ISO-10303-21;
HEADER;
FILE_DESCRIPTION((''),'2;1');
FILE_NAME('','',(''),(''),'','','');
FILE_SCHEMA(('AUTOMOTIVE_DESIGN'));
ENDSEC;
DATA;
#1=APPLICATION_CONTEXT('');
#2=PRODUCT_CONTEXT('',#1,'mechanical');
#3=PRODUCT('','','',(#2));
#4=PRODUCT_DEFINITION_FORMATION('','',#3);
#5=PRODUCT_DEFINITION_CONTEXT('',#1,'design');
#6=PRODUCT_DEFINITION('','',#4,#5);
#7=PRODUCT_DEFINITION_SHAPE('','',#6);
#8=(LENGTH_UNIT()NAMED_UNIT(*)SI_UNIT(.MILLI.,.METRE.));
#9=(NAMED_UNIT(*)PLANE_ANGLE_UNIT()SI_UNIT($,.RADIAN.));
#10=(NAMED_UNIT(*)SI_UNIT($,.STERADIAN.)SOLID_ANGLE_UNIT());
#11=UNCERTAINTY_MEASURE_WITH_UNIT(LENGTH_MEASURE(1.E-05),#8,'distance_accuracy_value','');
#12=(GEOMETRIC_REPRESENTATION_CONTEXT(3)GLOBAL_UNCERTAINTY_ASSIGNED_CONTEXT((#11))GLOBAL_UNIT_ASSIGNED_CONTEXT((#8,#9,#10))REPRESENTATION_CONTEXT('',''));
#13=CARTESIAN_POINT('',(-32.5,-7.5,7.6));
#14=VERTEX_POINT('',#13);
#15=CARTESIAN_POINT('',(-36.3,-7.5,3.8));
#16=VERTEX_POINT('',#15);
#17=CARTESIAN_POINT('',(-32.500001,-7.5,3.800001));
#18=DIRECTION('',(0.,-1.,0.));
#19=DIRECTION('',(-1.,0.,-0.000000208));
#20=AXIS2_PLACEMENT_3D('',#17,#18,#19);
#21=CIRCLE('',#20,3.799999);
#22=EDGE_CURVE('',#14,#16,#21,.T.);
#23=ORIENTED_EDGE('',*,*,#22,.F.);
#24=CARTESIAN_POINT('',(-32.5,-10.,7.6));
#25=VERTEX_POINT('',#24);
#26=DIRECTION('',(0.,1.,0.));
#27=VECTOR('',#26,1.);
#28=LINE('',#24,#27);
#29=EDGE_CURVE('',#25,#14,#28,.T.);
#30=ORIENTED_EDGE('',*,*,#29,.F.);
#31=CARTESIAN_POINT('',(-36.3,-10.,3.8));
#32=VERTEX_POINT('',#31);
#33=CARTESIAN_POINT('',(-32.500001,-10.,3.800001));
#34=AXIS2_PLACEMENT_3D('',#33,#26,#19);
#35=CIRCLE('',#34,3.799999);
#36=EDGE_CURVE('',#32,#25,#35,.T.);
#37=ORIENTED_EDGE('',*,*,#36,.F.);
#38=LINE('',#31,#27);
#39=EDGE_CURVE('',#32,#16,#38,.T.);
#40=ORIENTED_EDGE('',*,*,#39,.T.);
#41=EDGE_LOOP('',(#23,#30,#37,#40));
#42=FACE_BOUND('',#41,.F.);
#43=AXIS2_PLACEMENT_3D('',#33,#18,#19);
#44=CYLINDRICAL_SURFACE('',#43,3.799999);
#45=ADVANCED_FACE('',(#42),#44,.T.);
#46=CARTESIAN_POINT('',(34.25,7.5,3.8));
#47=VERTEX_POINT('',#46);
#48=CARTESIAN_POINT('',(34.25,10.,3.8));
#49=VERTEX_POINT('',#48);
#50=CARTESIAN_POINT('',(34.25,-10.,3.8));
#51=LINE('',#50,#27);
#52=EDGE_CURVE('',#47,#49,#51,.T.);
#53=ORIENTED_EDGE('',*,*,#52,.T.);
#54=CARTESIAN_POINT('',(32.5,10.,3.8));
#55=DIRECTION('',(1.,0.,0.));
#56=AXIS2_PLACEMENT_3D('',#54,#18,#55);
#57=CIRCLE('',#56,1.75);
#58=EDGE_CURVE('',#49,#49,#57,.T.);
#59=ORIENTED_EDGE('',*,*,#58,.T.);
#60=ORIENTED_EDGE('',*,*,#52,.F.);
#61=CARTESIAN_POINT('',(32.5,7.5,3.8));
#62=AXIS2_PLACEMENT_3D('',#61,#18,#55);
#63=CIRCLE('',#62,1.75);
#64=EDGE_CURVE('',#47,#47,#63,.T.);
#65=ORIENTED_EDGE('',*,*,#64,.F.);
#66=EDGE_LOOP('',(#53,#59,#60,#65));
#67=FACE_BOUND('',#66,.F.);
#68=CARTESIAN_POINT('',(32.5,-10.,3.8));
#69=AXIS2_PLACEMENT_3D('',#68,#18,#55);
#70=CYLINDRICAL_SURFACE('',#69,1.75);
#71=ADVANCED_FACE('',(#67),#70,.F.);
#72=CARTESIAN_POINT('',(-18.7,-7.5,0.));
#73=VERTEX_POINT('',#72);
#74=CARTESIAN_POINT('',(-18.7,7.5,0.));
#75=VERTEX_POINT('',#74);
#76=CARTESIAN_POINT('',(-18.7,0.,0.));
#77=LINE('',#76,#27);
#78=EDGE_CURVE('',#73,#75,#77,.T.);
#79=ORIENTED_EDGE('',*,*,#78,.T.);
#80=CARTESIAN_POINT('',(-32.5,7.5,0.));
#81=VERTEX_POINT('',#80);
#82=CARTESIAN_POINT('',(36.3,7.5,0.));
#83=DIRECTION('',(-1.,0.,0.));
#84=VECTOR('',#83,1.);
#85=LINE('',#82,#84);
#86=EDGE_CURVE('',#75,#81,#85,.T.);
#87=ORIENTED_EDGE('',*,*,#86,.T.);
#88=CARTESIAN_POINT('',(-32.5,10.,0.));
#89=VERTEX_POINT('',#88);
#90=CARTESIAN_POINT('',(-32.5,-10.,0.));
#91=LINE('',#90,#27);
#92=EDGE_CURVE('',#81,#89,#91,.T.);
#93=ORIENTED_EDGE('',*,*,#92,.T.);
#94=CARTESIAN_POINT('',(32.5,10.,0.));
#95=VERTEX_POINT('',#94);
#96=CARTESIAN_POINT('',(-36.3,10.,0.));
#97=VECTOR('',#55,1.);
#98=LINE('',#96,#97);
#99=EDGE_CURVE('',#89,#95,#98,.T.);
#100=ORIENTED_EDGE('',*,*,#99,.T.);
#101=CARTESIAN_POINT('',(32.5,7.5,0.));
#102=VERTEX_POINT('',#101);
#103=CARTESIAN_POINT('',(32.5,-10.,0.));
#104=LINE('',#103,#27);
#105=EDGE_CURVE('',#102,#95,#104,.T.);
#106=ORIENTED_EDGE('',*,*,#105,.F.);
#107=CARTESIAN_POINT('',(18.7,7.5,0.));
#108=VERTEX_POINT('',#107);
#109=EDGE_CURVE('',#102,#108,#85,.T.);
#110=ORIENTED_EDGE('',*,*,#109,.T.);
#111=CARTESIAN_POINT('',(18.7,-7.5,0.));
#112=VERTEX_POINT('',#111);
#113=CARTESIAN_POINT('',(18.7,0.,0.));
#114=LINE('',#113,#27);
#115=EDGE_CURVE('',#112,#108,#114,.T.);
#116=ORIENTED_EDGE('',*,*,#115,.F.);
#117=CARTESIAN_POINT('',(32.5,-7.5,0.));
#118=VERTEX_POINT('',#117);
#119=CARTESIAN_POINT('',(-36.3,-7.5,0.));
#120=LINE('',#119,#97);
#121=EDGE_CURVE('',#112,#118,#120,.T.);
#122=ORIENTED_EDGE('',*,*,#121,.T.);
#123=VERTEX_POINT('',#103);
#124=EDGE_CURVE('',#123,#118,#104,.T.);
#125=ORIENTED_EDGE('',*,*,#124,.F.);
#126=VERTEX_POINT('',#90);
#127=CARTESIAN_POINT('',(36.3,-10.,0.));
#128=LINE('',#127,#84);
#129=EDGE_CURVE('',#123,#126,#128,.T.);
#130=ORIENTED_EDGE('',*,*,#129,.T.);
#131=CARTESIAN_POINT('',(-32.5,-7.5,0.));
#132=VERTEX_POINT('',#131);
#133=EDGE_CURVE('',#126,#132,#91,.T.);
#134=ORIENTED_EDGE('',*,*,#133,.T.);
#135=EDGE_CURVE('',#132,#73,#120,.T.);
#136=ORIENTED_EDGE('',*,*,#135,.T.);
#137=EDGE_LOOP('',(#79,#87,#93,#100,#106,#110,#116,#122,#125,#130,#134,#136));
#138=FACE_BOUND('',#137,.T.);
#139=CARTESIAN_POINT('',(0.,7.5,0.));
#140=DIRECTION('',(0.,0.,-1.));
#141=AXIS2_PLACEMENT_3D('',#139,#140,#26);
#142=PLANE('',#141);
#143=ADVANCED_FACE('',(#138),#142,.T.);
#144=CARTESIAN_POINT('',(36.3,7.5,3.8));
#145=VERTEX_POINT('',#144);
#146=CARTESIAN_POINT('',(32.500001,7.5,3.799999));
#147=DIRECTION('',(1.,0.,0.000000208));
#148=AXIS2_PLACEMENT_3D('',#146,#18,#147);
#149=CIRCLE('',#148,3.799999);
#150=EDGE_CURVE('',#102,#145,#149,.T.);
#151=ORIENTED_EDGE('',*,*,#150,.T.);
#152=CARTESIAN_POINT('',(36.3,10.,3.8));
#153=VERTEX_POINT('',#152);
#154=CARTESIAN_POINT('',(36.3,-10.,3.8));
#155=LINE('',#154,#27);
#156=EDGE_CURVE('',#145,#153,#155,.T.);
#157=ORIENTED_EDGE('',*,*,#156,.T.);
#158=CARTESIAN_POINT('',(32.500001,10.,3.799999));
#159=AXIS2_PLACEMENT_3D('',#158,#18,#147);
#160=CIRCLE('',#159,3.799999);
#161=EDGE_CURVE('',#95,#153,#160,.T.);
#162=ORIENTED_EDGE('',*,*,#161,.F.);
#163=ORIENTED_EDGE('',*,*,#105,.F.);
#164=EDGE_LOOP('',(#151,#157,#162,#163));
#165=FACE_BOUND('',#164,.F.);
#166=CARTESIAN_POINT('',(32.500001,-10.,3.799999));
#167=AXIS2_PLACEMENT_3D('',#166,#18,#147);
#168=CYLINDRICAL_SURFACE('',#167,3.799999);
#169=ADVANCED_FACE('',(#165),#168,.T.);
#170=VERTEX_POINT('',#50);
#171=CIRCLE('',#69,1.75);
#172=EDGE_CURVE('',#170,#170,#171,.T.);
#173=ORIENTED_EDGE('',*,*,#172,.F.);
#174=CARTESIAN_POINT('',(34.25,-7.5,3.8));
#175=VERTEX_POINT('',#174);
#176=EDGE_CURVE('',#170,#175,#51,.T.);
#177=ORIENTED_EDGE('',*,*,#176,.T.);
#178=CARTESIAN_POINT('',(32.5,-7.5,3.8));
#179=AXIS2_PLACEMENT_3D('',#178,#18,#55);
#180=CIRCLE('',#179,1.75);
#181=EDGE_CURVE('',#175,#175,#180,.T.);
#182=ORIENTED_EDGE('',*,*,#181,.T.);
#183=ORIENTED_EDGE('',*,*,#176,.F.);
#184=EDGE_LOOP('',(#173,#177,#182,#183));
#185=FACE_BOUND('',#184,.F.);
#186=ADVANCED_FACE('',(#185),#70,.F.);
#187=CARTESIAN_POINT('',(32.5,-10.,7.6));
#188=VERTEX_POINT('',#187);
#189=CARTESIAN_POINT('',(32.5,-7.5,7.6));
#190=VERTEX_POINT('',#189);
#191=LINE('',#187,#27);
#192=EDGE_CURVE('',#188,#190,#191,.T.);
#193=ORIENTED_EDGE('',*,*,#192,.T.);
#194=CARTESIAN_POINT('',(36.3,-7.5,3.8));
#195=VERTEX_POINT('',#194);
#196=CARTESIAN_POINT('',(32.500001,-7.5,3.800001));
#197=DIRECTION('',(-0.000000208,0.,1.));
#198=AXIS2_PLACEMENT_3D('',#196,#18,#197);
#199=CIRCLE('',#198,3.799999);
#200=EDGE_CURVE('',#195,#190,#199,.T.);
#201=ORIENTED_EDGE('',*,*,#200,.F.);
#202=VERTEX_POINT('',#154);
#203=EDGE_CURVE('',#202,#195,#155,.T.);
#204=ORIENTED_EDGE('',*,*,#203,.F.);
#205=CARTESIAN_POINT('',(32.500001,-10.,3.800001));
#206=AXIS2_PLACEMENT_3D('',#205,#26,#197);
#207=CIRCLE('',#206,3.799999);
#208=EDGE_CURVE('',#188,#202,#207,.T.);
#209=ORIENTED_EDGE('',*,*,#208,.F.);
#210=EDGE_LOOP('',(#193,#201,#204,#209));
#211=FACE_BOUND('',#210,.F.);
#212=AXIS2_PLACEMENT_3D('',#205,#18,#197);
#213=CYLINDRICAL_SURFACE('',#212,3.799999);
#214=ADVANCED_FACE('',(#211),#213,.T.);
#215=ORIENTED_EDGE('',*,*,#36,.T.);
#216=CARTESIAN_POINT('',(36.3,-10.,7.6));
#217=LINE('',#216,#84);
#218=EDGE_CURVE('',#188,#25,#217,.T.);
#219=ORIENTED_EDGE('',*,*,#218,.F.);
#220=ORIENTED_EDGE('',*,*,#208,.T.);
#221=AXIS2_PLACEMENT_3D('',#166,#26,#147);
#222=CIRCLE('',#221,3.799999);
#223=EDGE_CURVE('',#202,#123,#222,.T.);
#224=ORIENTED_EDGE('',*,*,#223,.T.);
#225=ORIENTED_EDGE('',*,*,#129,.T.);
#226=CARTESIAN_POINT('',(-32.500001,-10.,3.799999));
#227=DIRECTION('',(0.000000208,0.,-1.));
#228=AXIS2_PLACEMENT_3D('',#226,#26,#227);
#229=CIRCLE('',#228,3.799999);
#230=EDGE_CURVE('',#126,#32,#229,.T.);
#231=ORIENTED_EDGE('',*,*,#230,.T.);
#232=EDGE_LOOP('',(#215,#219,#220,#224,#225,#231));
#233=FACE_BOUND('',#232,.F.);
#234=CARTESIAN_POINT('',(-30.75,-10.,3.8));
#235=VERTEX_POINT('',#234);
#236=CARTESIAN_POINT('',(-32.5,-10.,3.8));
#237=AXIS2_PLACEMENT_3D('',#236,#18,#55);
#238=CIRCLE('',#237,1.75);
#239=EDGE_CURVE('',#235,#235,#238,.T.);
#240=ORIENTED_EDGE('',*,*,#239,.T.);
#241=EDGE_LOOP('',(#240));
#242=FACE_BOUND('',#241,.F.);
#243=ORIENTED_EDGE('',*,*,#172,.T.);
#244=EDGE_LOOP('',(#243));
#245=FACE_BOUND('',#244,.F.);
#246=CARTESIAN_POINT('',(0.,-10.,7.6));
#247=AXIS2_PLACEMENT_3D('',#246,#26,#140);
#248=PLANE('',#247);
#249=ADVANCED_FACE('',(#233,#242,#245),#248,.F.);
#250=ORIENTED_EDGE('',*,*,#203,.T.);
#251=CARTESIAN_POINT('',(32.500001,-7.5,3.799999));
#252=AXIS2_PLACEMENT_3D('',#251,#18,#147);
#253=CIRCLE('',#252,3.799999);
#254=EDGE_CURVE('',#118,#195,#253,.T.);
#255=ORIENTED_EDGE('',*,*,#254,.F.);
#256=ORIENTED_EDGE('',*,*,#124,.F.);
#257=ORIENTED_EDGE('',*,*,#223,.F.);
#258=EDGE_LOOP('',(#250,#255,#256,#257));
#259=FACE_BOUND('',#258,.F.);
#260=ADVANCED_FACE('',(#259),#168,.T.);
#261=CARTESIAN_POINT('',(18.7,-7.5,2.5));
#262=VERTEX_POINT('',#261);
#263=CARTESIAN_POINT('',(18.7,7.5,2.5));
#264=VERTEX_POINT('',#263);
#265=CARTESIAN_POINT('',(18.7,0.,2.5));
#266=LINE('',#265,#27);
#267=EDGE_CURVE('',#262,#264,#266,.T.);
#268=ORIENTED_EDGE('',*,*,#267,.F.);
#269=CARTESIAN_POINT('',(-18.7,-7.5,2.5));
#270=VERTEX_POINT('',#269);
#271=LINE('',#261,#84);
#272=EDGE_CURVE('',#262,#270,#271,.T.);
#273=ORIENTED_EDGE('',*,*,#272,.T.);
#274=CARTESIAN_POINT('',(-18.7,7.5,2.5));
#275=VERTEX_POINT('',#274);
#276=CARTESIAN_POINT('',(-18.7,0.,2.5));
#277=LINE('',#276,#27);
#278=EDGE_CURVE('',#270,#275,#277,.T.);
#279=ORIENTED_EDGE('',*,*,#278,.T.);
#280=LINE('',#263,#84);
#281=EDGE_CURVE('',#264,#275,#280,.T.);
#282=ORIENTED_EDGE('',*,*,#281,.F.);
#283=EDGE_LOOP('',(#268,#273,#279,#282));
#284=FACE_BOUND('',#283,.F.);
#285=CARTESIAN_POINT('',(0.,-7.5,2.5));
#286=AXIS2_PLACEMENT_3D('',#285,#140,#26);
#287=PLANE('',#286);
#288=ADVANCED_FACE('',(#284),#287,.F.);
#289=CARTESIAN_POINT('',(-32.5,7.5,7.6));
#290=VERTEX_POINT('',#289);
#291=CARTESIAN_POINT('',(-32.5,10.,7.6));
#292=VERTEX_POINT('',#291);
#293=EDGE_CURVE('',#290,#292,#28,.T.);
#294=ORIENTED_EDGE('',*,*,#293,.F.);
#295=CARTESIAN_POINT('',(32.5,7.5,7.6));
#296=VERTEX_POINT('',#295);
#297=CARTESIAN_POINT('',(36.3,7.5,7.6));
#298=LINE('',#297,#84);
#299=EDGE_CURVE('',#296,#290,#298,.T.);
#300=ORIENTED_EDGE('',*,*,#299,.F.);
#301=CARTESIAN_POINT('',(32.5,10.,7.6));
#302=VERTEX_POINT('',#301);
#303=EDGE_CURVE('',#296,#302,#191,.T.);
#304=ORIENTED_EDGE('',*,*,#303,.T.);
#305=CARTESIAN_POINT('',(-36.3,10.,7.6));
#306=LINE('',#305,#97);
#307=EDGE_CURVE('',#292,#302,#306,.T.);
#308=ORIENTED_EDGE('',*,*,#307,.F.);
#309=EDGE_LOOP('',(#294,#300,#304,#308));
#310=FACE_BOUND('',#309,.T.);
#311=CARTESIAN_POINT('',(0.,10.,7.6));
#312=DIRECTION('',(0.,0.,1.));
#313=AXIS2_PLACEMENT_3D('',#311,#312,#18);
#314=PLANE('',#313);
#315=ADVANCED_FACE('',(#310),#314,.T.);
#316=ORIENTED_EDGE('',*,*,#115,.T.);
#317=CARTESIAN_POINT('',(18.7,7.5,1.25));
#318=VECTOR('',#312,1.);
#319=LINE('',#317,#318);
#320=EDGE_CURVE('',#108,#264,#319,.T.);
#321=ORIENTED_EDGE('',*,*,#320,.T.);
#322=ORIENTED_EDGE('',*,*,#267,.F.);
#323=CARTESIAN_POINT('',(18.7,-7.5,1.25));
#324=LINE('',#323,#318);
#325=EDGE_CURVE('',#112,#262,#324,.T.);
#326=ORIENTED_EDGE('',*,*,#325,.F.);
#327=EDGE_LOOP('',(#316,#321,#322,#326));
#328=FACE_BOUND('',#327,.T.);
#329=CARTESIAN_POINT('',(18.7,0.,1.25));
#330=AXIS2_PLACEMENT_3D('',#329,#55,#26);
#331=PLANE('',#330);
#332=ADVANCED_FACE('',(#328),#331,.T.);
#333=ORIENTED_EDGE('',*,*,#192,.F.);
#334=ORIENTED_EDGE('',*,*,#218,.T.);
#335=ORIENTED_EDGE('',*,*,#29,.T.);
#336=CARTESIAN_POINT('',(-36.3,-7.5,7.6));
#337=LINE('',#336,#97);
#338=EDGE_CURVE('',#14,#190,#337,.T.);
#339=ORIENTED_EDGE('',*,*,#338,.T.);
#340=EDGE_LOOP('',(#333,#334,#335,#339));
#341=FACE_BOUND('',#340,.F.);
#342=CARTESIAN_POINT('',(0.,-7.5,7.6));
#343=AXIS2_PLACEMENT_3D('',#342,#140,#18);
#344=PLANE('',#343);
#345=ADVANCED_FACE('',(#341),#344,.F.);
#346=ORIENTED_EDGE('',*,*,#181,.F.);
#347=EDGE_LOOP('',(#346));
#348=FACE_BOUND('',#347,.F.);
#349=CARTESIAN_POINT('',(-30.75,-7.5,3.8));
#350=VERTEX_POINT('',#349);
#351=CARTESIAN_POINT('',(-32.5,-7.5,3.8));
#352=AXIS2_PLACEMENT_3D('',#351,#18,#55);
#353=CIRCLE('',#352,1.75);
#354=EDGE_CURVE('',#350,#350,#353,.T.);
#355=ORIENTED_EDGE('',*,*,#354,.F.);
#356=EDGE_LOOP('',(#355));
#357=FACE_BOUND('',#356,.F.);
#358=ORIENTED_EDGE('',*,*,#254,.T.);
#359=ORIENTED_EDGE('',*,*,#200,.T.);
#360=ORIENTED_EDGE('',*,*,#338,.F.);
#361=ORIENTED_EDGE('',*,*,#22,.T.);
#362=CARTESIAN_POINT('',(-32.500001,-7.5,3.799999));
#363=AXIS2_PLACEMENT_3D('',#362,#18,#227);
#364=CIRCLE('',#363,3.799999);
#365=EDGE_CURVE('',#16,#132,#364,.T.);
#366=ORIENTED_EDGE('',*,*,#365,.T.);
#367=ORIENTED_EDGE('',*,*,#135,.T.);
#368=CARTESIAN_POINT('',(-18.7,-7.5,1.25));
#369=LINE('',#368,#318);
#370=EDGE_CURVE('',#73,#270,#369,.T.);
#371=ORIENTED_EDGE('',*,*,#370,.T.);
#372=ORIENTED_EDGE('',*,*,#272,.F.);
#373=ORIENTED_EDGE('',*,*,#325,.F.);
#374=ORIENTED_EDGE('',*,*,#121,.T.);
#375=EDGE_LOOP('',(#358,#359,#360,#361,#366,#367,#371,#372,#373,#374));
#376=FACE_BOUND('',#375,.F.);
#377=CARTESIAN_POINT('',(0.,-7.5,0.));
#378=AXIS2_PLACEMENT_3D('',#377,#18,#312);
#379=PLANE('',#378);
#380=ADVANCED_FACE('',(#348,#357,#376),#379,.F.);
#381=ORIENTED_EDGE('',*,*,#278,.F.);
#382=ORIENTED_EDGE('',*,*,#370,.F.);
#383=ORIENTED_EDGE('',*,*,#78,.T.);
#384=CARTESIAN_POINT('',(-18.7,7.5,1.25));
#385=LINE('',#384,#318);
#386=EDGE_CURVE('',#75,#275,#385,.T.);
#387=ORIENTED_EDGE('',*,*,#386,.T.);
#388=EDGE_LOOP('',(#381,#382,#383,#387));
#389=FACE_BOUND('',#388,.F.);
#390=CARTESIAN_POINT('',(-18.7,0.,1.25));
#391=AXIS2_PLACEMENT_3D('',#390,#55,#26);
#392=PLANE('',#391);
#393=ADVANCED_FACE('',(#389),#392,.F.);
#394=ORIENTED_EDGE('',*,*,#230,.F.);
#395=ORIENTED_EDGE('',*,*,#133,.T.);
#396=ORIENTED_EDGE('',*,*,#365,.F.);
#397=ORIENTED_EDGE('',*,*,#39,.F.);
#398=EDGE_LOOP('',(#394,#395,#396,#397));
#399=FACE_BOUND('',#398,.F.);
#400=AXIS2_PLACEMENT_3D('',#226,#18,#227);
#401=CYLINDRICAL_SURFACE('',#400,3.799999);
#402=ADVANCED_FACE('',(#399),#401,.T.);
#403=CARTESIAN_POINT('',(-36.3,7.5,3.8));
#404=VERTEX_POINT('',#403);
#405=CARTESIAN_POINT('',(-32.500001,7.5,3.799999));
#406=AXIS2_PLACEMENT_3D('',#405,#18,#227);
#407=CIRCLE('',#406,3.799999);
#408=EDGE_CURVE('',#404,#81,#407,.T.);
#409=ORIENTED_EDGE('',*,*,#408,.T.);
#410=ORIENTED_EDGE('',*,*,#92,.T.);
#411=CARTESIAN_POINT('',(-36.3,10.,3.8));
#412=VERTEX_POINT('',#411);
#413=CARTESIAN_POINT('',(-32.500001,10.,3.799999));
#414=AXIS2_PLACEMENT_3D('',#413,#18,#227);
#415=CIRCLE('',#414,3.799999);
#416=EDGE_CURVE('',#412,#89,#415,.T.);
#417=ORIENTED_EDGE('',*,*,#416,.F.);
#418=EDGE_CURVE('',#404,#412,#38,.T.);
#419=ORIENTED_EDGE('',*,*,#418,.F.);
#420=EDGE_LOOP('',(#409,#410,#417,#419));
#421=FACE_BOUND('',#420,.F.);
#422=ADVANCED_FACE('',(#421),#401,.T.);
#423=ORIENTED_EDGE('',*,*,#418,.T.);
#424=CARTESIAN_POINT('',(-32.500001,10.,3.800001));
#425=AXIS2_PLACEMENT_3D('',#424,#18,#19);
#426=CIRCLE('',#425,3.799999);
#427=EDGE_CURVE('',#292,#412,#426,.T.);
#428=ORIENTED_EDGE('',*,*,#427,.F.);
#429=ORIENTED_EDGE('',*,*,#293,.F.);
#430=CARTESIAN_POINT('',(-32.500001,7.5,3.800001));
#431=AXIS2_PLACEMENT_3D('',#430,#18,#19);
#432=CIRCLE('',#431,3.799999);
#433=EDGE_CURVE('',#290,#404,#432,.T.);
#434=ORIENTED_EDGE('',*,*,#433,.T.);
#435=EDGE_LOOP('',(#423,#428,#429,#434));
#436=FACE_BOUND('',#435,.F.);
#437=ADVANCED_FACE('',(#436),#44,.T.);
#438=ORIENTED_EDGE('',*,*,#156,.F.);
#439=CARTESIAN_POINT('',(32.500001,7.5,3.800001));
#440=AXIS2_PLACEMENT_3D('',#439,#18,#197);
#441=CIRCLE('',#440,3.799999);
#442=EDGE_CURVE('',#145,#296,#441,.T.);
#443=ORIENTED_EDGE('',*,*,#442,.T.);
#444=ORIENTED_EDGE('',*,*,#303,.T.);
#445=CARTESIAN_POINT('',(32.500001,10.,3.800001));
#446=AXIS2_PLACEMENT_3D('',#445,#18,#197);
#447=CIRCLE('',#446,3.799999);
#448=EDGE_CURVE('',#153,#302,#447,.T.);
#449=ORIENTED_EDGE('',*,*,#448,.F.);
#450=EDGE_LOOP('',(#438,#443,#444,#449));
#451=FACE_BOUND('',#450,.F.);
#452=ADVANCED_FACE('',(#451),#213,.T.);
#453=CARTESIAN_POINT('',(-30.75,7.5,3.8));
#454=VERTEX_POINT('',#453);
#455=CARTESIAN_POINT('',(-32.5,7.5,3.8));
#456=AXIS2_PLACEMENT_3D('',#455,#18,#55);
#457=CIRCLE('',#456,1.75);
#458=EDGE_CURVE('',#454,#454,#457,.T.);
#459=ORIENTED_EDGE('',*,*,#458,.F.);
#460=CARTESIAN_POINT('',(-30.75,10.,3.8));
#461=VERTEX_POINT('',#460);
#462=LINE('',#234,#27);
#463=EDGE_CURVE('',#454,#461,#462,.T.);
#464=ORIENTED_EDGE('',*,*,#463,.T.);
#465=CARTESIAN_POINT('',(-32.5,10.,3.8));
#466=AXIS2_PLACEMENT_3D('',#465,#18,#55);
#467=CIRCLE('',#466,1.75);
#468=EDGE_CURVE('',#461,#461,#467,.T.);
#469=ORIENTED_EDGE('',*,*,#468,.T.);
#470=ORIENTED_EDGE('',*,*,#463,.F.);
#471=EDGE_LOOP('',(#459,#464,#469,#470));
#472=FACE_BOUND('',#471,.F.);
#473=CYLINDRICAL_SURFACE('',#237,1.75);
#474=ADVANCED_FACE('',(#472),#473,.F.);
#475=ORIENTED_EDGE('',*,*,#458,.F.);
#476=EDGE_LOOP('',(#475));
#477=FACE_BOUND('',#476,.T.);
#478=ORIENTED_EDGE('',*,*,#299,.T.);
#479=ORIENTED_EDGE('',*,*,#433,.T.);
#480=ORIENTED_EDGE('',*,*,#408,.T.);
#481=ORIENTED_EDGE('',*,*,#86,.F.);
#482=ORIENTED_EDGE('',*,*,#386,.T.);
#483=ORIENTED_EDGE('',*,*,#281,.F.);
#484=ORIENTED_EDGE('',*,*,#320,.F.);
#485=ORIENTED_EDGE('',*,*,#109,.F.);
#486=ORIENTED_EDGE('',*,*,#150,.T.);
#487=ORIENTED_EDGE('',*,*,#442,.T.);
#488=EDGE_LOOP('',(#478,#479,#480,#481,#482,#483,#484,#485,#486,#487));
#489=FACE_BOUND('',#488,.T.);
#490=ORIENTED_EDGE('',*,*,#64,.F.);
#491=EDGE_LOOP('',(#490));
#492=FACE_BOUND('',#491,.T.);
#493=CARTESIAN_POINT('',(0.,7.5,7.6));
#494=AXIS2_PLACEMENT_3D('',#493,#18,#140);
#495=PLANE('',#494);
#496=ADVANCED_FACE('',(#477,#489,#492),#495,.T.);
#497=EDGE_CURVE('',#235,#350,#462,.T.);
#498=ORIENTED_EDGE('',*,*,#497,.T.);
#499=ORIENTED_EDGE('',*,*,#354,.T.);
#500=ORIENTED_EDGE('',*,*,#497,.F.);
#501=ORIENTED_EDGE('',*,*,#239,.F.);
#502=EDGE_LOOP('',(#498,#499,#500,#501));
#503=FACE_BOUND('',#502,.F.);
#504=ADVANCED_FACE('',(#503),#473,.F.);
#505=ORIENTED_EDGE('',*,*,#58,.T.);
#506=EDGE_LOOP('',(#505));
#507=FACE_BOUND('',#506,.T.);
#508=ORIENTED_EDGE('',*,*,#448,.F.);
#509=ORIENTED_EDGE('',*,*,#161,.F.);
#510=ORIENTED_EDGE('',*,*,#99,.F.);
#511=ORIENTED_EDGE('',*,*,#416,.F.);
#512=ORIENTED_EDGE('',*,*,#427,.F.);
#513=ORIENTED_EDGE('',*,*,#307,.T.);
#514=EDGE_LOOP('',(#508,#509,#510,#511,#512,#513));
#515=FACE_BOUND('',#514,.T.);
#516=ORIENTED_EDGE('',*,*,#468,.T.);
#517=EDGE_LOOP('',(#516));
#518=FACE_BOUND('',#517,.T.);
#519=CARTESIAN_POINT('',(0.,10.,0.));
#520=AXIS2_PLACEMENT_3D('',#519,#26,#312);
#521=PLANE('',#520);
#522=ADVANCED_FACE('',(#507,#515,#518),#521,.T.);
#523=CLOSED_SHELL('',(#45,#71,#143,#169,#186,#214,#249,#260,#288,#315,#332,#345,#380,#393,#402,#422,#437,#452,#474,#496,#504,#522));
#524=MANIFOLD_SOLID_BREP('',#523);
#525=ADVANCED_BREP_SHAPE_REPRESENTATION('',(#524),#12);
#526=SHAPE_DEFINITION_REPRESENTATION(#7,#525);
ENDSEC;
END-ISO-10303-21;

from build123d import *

# Parameters (mm, degrees)
F0_W     = 15
F0_H     = 2.5
F1_DEPTH = 18.7
F2_DEPTH = 36.3
F3_R     = 1.75
F4_DEPTH = 20.001


with BuildPart() as f1:
    # F0 (on Right) → F1 (new body, symmetric)
    with BuildSketch(Plane.YZ):
        with Locations((0, 1.25)):
            Rectangle(F0_W, F0_H)
    extrude(amount=F1_DEPTH, both=True)

    # F0 (on Right) → F2 (join, symmetric)
    with BuildSketch(Plane.YZ):
        Polygon((-10, 0), (-7.5, 0), (-7.5, 2.5), (-7.5, 7.6), (-10, 7.6), align=None)
        Polygon((7.5, 2.5), (7.5, 0), (10, 0), (10, 7.6), (7.5, 7.6), align=None)
    extrude(amount=F2_DEPTH, both=True)

    # F3 (on face) → F4 (cut, through all)
    with BuildSketch(Plane.XZ.offset(10)):
        with Locations((-32.5, 3.8)):
            Circle(F3_R)
        with Locations((32.5, 3.8)):
            Circle(F3_R)
        Polygon((-36.3, 0), (-36.3, 3.8), (-36.3, 7.6), (-40.478576, 7.6), (-40.478576, 0), align=None)
        with BuildLine():
            Line((-36.3, 0), (-32.5, 0))
            ThreePointArc((-32.5, 0), (-35.187006, 1.112994), (-36.3, 3.8))
            Line((-36.3, 3.8), (-36.3, 0))
        make_face()
        with BuildLine():
            ThreePointArc((-36.3, 3.8), (-35.187006, 6.487006), (-32.5, 7.6))
            Line((-32.5, 7.6), (-36.3, 7.6))
            Line((-36.3, 7.6), (-36.3, 3.8))
        make_face()
        with BuildLine():
            Line((36.3, 7.6), (32.5, 7.6))
            ThreePointArc((32.5, 7.6), (35.187006, 6.487006), (36.3, 3.8))
            Line((36.3, 3.8), (36.3, 7.6))
        make_face()
        with BuildLine():
            ThreePointArc((36.3, 3.8), (35.187006, 1.112994), (32.5, 0))
            Line((32.5, 0), (36.3, 0))
            Line((36.3, 0), (36.3, 3.8))
        make_face()
        Polygon((40.478576, 7.6), (36.3, 7.6), (36.3, 3.8), (36.3, 0), (40.478576, 0), align=None)
    extrude(amount=-F4_DEPTH, mode=Mode.SUBTRACT)


solid = f1.part
